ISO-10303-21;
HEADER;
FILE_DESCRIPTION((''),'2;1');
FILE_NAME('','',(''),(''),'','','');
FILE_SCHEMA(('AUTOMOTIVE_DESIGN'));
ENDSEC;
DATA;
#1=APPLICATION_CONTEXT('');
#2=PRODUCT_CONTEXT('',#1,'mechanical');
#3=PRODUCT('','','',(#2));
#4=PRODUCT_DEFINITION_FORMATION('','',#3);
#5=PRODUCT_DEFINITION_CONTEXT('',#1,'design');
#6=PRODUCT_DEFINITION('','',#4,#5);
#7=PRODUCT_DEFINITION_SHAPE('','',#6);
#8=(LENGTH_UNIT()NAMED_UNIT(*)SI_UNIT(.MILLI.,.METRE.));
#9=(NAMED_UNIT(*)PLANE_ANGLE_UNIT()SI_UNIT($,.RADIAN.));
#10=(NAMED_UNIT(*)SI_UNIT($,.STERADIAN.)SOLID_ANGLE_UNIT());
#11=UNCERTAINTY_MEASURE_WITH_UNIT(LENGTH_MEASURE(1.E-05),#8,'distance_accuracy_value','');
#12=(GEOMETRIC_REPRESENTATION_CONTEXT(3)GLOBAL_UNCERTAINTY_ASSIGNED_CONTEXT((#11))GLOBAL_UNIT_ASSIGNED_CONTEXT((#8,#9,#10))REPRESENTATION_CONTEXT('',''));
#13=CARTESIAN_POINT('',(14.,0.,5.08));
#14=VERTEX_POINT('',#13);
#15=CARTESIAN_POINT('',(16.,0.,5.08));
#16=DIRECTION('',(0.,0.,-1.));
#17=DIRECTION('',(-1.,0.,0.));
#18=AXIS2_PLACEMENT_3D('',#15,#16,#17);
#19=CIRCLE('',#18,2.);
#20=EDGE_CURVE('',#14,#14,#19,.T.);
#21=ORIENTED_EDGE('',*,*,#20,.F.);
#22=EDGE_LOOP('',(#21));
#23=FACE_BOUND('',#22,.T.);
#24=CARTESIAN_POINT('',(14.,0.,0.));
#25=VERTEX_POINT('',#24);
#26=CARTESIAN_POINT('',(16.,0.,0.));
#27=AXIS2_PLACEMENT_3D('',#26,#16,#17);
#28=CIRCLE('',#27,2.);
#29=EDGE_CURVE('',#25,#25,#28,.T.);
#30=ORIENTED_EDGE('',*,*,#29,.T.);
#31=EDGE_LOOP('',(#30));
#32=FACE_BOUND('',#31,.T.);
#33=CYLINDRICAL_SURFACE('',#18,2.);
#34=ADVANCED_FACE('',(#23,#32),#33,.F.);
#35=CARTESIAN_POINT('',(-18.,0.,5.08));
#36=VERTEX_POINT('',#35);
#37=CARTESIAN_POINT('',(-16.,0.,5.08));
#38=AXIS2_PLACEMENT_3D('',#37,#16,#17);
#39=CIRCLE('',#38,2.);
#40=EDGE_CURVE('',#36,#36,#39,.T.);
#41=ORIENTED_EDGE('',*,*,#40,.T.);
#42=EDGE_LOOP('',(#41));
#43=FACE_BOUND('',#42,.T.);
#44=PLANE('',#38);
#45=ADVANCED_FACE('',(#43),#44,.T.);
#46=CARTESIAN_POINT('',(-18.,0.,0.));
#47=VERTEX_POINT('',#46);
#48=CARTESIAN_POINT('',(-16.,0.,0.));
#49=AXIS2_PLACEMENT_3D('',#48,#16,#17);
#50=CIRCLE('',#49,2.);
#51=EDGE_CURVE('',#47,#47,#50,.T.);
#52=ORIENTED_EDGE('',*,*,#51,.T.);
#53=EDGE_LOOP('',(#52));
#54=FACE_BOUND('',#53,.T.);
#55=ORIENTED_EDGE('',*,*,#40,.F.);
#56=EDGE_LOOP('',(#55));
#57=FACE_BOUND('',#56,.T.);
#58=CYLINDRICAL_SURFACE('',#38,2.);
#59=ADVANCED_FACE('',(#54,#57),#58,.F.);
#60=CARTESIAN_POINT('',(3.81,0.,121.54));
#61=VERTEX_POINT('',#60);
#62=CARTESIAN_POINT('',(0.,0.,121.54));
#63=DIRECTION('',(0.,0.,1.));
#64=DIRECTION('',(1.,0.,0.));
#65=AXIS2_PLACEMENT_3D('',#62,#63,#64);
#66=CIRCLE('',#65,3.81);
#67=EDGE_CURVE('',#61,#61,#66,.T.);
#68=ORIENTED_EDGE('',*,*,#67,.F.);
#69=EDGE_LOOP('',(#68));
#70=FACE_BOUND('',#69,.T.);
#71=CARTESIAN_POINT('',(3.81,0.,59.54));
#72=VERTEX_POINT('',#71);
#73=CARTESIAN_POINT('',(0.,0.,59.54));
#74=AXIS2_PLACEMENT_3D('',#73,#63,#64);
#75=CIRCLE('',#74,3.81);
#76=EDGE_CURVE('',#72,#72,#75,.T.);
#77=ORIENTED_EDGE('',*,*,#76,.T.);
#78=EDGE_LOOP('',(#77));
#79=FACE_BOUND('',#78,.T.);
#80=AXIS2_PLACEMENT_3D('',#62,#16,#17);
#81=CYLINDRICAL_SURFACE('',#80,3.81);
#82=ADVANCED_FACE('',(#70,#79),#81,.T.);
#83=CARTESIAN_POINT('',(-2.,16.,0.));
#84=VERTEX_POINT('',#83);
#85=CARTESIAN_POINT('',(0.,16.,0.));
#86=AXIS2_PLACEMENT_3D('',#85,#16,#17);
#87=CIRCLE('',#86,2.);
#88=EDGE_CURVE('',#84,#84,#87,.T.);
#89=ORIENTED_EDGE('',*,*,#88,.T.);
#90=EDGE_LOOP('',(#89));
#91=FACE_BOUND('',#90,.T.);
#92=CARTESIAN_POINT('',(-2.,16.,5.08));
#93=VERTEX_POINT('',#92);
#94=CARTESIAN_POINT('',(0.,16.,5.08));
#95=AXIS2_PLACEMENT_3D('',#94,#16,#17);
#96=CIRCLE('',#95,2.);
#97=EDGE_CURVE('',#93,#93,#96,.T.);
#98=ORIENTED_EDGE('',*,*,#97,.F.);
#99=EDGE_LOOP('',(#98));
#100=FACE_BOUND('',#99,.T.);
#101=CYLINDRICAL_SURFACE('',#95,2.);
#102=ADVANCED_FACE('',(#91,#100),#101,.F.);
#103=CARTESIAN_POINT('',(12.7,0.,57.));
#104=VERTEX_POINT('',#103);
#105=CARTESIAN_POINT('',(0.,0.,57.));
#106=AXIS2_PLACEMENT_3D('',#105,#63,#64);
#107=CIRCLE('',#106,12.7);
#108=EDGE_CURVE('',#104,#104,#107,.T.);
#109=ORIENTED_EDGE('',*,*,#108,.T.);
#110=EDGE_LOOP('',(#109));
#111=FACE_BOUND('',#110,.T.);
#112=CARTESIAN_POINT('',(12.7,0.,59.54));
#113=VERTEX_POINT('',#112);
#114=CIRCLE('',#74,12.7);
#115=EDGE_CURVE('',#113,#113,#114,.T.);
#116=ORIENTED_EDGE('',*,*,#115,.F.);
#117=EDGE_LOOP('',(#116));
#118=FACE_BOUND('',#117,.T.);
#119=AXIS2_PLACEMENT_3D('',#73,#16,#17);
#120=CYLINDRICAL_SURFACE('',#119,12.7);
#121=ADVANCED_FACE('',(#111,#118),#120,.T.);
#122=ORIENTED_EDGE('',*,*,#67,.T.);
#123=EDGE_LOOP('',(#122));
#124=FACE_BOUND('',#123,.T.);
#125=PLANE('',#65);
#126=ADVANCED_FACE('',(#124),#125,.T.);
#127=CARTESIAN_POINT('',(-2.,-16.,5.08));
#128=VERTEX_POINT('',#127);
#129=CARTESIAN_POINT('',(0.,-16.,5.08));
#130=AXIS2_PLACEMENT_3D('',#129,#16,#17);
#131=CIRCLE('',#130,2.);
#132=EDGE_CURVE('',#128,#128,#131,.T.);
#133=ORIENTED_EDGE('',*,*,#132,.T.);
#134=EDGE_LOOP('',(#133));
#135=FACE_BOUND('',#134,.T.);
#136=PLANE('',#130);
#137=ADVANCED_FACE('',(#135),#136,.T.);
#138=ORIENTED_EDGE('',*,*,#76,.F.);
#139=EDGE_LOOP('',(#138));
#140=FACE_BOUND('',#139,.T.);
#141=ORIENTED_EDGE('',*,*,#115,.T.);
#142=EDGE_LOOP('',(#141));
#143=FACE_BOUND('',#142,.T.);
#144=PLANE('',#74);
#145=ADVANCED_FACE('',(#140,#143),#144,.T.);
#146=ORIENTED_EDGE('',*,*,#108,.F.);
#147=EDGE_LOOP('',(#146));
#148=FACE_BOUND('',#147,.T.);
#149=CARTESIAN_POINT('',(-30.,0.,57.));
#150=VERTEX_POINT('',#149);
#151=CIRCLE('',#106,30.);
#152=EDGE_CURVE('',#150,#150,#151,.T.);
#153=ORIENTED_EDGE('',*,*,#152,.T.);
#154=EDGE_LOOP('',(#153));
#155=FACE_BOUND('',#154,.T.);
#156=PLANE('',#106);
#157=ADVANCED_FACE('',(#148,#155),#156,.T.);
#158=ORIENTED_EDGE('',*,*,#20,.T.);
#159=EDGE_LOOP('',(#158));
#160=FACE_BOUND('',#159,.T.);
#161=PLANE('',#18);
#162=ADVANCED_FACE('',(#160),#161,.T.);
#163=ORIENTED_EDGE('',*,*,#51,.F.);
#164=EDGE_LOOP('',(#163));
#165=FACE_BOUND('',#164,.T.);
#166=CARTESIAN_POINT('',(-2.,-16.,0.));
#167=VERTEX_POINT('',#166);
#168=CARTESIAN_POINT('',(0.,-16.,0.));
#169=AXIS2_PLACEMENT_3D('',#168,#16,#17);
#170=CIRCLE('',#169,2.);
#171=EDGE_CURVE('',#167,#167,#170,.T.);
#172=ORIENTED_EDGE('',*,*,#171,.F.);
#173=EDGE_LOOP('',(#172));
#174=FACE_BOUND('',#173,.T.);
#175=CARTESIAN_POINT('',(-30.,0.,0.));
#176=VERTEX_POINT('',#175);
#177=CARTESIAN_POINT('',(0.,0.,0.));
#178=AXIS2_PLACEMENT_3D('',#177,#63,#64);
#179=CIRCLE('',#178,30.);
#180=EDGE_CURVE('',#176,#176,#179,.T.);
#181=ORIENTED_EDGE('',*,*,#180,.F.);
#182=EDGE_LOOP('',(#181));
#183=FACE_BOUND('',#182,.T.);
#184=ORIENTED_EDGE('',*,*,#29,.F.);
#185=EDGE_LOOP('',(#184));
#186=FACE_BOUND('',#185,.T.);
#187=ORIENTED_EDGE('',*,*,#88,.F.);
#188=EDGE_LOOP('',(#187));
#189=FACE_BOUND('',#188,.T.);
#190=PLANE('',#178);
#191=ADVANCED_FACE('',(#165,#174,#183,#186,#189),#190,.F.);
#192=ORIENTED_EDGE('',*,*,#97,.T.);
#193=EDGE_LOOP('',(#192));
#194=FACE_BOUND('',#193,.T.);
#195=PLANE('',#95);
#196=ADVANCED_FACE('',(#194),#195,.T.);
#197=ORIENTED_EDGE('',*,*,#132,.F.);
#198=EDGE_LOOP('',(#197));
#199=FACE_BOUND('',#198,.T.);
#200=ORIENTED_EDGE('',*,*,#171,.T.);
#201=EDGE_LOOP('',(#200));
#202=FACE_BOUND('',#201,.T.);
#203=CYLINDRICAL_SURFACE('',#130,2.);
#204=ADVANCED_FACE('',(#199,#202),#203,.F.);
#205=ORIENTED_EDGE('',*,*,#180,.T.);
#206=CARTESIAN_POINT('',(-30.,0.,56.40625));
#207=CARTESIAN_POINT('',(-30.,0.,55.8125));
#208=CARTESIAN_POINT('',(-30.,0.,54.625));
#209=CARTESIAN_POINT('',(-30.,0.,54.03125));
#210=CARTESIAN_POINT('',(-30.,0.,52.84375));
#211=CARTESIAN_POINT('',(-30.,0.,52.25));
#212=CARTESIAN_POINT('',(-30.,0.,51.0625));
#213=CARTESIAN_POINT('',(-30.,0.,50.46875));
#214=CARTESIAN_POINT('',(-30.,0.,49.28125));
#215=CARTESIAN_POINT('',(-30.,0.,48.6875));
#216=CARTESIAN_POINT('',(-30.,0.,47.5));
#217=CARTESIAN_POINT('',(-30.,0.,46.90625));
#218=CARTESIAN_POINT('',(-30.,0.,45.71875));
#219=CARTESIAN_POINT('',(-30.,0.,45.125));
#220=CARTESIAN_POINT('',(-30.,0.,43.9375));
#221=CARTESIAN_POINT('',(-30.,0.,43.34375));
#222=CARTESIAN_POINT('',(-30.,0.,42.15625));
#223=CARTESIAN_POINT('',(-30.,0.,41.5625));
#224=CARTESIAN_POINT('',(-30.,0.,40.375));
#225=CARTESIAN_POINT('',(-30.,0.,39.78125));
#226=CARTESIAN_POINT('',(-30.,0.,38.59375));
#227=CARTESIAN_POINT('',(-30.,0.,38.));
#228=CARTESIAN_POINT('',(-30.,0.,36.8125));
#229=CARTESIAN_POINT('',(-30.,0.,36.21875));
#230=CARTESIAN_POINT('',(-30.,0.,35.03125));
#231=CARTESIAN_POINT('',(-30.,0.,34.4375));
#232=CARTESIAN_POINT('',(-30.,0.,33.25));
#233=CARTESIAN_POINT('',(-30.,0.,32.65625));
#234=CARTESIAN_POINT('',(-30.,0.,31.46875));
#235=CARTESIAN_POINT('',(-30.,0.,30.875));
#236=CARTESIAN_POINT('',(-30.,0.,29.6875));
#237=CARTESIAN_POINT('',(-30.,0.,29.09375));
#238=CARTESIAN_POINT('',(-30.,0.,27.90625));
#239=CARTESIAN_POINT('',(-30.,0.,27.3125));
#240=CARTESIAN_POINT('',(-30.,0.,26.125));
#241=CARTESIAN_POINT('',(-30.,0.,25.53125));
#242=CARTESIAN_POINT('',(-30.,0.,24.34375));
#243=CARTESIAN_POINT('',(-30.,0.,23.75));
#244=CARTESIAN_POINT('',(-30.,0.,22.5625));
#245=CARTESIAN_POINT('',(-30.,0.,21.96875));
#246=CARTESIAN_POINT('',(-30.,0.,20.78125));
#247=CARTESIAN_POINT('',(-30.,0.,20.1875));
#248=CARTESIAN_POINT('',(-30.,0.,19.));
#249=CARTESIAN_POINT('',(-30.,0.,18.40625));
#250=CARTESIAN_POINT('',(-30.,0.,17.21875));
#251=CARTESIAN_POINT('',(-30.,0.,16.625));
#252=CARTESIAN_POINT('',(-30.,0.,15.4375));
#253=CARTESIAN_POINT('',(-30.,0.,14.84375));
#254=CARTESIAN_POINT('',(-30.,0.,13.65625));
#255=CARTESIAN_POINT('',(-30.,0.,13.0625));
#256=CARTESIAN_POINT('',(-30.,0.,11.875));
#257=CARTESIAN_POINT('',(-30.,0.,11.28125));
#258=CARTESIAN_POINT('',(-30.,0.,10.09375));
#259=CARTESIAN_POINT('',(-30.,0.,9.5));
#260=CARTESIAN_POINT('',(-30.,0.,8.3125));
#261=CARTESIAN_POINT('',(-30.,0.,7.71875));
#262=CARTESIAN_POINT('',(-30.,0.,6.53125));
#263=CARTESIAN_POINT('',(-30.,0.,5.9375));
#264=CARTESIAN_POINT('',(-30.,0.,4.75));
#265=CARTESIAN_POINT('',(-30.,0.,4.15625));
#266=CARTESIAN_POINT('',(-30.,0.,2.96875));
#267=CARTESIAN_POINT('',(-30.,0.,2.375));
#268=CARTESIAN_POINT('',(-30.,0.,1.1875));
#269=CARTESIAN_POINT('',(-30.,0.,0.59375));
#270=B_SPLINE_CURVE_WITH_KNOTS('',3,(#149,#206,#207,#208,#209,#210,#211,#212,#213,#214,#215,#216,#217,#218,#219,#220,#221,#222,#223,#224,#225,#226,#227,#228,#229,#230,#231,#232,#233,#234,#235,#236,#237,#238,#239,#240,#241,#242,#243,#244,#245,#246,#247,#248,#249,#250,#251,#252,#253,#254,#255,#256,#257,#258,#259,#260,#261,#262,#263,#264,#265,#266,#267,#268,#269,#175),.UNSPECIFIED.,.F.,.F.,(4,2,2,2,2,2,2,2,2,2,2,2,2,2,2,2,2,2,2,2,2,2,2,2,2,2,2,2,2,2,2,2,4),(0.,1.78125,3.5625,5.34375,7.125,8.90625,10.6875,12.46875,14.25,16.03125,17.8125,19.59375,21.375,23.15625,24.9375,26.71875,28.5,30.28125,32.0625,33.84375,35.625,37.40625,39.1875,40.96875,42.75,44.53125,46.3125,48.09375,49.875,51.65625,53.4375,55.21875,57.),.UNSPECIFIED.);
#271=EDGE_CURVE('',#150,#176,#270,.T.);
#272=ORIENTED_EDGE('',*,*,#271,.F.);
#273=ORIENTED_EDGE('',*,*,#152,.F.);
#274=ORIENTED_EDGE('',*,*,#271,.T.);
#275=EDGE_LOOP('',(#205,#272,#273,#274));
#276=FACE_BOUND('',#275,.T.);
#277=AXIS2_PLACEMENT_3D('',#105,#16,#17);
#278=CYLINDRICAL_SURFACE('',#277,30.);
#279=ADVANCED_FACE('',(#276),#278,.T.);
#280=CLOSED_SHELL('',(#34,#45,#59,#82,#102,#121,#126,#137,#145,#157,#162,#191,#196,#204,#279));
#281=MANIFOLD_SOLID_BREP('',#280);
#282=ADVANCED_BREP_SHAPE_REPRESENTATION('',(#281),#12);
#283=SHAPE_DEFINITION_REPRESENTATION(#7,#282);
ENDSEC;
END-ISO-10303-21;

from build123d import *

# Parameters (mm, degrees)
SKETCH1_R           = 30
BOSS_EXTRUDE1_DEPTH = 57
SKETCH2_R           = 12.7
BOSS_EXTRUDE2_DEPTH = 2.54
SKETCH3_R           = 3.81
BOSS_EXTRUDE3_DEPTH = 62
SKETCH4_R           = 2
CUT_EXTRUDE1_DEPTH  = 5.08


with BuildPart() as part:
    # Sketch1 → Boss-Extrude1 (new body)
    with BuildSketch(Plane.XY):
        with Locations(Location((0, 0, 0), (0, 0, 180))):
            Circle(SKETCH1_R)
    extrude(amount=BOSS_EXTRUDE1_DEPTH)

    # Sketch2 → Boss-Extrude2 (add)
    with BuildSketch(Plane.XY.offset(57)):
        Circle(SKETCH2_R)
    extrude(amount=BOSS_EXTRUDE2_DEPTH)

    # Sketch3 → Boss-Extrude3 (add)
    with BuildSketch(Plane.XY.offset(59.54)):
        Circle(SKETCH3_R)
    extrude(amount=BOSS_EXTRUDE3_DEPTH)

    # Sketch4 → Cut-Extrude1 (cut)
    with BuildSketch(Plane(origin=(0, 0, 0), x_dir=(-1, 0, 0), z_dir=(0, 0, -1))):
        with Locations((0, -16)):
            Circle(SKETCH4_R)
        with Locations((-16, 0)):
            Circle(SKETCH4_R)
        with Locations((0, 16)):
            Circle(SKETCH4_R)
        with Locations((16, 0)):
            Circle(SKETCH4_R)
    extrude(amount=-CUT_EXTRUDE1_DEPTH, mode=Mode.SUBTRACT)


solid = part.part
